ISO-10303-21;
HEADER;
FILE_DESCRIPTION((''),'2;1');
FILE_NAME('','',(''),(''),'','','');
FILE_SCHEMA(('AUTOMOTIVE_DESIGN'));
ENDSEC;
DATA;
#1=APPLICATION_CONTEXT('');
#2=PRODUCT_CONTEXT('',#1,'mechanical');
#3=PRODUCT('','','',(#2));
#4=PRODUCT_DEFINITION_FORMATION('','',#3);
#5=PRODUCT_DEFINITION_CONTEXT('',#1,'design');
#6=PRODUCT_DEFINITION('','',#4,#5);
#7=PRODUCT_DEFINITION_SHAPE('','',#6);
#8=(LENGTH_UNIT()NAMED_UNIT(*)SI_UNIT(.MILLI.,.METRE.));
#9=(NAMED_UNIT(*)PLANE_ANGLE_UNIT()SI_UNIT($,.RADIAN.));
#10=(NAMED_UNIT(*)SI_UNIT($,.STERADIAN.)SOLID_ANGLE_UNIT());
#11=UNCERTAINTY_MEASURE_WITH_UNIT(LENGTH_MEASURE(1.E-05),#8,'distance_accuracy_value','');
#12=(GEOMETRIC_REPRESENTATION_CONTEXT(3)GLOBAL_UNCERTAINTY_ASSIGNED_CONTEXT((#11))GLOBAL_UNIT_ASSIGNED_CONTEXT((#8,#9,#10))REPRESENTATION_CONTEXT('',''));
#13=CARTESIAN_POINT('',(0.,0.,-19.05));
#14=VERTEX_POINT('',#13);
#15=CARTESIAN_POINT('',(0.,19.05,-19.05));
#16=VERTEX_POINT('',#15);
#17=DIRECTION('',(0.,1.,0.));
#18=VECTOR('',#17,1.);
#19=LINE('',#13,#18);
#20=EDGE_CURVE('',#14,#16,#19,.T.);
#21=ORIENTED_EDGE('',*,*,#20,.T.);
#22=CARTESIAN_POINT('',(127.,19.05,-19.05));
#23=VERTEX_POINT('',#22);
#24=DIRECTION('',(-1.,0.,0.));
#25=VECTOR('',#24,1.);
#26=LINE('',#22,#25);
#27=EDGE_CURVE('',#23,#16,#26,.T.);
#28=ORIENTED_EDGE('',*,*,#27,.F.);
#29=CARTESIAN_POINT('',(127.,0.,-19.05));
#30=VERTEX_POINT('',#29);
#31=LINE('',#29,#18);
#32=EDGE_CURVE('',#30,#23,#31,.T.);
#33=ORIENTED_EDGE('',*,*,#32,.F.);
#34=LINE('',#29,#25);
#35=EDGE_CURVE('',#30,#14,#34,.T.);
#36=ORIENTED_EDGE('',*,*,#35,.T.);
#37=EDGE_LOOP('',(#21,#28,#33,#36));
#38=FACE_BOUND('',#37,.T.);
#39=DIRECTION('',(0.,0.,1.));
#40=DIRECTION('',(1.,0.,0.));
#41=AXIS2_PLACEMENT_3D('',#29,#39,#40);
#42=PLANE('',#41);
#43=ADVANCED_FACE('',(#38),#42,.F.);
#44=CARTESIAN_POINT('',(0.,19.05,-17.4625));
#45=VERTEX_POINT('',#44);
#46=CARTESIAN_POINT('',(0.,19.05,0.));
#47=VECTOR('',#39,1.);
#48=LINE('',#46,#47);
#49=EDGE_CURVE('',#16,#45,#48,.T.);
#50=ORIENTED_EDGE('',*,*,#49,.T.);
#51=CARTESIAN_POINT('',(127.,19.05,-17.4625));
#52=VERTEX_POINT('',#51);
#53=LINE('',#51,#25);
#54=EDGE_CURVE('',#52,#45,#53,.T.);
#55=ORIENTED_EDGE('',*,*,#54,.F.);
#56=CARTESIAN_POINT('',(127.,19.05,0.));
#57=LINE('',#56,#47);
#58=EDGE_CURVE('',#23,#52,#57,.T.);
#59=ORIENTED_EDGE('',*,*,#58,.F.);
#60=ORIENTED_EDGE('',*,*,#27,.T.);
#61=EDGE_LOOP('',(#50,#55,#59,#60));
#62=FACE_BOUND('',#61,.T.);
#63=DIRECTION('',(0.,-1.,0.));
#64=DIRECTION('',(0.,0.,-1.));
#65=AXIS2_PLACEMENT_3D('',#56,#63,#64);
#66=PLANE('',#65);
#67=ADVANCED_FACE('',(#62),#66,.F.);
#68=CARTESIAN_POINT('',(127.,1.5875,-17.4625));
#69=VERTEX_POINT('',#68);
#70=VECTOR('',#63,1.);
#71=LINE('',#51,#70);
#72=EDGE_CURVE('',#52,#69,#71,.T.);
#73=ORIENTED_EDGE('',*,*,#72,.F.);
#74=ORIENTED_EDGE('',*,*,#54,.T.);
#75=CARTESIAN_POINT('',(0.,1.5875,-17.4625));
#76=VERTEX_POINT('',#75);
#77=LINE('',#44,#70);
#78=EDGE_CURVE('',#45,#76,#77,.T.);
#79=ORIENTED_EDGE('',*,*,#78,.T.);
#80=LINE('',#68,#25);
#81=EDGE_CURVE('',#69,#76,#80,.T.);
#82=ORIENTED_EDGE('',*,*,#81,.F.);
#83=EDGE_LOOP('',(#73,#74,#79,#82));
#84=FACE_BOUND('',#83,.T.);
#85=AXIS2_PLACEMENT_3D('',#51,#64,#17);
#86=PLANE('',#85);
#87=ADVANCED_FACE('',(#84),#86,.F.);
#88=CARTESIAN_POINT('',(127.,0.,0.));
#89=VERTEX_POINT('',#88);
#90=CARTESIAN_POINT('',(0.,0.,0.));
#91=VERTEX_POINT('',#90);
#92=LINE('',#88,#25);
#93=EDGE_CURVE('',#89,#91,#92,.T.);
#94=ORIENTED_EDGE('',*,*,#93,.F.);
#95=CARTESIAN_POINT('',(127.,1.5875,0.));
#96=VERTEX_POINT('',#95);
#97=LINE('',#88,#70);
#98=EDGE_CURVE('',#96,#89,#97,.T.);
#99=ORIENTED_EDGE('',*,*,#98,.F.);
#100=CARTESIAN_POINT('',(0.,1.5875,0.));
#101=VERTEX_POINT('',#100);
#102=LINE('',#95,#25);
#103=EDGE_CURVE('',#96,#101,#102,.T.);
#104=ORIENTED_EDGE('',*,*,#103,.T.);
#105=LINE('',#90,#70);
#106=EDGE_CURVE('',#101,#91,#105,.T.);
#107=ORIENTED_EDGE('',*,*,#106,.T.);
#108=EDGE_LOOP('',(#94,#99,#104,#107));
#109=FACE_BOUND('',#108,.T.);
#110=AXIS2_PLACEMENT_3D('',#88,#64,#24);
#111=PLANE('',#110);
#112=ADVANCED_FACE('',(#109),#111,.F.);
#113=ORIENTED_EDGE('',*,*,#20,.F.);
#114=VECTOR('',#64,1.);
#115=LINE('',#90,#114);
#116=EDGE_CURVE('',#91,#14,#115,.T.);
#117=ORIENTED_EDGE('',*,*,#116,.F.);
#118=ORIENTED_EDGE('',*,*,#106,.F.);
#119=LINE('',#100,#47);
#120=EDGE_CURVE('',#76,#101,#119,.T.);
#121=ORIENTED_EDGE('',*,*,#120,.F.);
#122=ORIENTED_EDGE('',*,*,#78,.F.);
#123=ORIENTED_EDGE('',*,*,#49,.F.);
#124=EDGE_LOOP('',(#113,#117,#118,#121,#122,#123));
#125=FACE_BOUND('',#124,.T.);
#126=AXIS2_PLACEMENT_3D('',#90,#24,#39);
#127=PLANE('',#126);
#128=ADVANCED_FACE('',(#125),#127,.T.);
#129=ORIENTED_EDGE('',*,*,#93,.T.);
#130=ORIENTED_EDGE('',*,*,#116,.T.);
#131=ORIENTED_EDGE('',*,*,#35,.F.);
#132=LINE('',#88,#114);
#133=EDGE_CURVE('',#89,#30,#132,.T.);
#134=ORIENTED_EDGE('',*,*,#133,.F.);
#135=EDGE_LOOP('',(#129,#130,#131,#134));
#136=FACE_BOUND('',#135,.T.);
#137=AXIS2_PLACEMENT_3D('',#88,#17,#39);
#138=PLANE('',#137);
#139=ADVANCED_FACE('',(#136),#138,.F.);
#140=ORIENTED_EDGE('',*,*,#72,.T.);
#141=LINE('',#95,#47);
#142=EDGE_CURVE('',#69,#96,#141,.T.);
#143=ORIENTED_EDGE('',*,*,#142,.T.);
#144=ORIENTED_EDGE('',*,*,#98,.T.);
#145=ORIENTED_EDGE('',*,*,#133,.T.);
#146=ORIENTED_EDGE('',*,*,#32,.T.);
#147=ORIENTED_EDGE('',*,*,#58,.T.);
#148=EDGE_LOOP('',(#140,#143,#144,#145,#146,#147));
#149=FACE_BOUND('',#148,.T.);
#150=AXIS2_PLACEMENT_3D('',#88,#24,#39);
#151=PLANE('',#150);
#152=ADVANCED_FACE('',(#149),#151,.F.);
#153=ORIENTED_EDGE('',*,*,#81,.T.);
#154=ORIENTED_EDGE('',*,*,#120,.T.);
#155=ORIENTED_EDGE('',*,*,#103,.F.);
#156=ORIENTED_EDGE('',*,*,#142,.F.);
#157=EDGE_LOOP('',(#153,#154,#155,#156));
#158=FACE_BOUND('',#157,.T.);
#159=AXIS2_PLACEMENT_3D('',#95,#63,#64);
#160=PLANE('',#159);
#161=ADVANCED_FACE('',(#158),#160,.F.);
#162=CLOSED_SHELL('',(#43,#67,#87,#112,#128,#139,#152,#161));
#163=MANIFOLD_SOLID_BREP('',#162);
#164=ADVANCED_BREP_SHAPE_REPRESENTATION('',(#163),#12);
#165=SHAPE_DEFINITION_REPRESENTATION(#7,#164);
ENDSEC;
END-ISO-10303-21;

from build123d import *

# Parameters (mm, degrees)
SKETCH2_W           = 19.05
SKETCH2_H           = 19.05
BOSS_EXTRUDE1_DEPTH = 127
SKETCH4_W           = 17.4625
SKETCH4_H           = 17.4625
CUT_EXTRUDE1_DEPTH  = 127


with BuildPart() as part:
    # Sketch2 → Boss-Extrude1 (new body)
    with BuildSketch(Plane(origin=(0, 0, 0), x_dir=(0, 0, -1), z_dir=(1, 0, 0))):
        with Locations((9.525, 9.525)):
            Rectangle(SKETCH2_W, SKETCH2_H)
    extrude(amount=BOSS_EXTRUDE1_DEPTH)

    # Sketch4 → Cut-Extrude1 (cut)
    with BuildSketch(Plane.ZY):
        with Locations((-8.73125, 10.31875)):
            Rectangle(SKETCH4_W, SKETCH4_H)
    extrude(amount=-CUT_EXTRUDE1_DEPTH, mode=Mode.SUBTRACT)


solid = part.part
